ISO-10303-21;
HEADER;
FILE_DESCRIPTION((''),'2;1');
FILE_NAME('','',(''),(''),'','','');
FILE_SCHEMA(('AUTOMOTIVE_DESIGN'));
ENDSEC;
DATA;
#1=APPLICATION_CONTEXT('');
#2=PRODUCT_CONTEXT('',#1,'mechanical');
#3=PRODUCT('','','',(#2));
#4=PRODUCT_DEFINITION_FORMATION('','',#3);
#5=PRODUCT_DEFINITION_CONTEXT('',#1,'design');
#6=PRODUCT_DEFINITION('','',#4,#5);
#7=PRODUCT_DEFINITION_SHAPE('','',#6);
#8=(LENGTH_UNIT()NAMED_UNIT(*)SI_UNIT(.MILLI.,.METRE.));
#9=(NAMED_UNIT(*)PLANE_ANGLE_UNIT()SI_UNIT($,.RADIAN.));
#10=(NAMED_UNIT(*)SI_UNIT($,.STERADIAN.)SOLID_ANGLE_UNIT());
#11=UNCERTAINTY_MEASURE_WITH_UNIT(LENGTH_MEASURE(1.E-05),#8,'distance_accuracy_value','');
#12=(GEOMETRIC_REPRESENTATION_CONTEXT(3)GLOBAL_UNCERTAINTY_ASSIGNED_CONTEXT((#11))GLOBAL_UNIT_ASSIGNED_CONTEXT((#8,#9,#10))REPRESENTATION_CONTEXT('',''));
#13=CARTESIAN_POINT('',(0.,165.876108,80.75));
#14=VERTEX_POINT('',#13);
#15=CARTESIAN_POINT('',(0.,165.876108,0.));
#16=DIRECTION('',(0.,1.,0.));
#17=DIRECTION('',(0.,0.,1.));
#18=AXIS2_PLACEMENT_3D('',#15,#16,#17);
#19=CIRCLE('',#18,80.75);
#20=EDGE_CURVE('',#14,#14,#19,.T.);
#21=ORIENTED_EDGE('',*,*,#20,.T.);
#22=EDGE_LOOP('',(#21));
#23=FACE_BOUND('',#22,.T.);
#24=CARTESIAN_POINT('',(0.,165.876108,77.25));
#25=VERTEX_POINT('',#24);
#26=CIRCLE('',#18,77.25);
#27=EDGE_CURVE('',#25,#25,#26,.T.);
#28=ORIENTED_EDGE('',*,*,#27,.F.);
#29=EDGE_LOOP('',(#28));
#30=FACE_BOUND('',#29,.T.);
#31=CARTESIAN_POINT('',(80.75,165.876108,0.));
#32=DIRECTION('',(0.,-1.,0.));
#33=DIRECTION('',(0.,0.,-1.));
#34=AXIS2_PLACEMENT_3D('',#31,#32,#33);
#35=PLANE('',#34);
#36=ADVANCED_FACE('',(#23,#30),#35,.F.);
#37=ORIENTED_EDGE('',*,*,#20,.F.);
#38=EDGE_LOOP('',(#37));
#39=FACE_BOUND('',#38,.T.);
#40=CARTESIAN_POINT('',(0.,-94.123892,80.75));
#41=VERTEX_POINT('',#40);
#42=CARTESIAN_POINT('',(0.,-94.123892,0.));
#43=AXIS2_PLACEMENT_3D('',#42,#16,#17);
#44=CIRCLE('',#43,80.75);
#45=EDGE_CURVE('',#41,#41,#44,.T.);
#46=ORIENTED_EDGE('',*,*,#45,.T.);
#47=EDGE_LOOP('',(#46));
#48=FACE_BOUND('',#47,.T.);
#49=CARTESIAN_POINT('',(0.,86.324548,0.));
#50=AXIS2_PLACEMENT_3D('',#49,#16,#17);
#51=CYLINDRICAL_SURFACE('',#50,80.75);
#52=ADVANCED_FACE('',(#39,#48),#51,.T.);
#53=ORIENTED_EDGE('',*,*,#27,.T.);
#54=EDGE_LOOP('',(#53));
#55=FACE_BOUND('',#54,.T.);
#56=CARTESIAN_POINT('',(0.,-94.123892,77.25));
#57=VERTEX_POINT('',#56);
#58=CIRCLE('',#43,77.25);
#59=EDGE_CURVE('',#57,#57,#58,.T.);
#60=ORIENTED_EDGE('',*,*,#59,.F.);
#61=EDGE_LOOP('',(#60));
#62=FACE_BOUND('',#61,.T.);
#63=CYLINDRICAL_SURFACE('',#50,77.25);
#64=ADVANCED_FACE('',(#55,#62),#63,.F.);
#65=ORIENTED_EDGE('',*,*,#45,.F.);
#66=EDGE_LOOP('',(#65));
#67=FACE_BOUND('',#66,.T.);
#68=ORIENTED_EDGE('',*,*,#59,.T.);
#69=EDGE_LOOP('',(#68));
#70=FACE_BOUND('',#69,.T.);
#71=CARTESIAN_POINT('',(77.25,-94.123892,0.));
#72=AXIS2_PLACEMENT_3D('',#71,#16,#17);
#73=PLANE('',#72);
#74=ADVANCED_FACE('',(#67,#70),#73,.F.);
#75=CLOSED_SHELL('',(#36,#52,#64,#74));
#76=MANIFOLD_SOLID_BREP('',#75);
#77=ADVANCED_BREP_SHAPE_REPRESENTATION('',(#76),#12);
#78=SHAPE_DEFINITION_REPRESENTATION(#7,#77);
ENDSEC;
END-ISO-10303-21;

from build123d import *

# Parameters (mm, degrees)
ESQUISSE1_W = 3.5
ESQUISSE1_H = 260


with BuildPart() as part:
    # Esquisse1 → Révolution1 (revolve)
    with BuildSketch(Plane.XY, mode=Mode.PRIVATE) as r_volution1_sk:
        with Locations((79, 35.876108374)):
            Rectangle(ESQUISSE1_W, ESQUISSE1_H)
    revolve(r_volution1_sk.sketch.rotate(Axis((0, 86.32454844, 0), (0, -1, 0)), 90), axis=Axis((0, 86.32454844, 0), (0, -1, 0)))


solid = part.part
